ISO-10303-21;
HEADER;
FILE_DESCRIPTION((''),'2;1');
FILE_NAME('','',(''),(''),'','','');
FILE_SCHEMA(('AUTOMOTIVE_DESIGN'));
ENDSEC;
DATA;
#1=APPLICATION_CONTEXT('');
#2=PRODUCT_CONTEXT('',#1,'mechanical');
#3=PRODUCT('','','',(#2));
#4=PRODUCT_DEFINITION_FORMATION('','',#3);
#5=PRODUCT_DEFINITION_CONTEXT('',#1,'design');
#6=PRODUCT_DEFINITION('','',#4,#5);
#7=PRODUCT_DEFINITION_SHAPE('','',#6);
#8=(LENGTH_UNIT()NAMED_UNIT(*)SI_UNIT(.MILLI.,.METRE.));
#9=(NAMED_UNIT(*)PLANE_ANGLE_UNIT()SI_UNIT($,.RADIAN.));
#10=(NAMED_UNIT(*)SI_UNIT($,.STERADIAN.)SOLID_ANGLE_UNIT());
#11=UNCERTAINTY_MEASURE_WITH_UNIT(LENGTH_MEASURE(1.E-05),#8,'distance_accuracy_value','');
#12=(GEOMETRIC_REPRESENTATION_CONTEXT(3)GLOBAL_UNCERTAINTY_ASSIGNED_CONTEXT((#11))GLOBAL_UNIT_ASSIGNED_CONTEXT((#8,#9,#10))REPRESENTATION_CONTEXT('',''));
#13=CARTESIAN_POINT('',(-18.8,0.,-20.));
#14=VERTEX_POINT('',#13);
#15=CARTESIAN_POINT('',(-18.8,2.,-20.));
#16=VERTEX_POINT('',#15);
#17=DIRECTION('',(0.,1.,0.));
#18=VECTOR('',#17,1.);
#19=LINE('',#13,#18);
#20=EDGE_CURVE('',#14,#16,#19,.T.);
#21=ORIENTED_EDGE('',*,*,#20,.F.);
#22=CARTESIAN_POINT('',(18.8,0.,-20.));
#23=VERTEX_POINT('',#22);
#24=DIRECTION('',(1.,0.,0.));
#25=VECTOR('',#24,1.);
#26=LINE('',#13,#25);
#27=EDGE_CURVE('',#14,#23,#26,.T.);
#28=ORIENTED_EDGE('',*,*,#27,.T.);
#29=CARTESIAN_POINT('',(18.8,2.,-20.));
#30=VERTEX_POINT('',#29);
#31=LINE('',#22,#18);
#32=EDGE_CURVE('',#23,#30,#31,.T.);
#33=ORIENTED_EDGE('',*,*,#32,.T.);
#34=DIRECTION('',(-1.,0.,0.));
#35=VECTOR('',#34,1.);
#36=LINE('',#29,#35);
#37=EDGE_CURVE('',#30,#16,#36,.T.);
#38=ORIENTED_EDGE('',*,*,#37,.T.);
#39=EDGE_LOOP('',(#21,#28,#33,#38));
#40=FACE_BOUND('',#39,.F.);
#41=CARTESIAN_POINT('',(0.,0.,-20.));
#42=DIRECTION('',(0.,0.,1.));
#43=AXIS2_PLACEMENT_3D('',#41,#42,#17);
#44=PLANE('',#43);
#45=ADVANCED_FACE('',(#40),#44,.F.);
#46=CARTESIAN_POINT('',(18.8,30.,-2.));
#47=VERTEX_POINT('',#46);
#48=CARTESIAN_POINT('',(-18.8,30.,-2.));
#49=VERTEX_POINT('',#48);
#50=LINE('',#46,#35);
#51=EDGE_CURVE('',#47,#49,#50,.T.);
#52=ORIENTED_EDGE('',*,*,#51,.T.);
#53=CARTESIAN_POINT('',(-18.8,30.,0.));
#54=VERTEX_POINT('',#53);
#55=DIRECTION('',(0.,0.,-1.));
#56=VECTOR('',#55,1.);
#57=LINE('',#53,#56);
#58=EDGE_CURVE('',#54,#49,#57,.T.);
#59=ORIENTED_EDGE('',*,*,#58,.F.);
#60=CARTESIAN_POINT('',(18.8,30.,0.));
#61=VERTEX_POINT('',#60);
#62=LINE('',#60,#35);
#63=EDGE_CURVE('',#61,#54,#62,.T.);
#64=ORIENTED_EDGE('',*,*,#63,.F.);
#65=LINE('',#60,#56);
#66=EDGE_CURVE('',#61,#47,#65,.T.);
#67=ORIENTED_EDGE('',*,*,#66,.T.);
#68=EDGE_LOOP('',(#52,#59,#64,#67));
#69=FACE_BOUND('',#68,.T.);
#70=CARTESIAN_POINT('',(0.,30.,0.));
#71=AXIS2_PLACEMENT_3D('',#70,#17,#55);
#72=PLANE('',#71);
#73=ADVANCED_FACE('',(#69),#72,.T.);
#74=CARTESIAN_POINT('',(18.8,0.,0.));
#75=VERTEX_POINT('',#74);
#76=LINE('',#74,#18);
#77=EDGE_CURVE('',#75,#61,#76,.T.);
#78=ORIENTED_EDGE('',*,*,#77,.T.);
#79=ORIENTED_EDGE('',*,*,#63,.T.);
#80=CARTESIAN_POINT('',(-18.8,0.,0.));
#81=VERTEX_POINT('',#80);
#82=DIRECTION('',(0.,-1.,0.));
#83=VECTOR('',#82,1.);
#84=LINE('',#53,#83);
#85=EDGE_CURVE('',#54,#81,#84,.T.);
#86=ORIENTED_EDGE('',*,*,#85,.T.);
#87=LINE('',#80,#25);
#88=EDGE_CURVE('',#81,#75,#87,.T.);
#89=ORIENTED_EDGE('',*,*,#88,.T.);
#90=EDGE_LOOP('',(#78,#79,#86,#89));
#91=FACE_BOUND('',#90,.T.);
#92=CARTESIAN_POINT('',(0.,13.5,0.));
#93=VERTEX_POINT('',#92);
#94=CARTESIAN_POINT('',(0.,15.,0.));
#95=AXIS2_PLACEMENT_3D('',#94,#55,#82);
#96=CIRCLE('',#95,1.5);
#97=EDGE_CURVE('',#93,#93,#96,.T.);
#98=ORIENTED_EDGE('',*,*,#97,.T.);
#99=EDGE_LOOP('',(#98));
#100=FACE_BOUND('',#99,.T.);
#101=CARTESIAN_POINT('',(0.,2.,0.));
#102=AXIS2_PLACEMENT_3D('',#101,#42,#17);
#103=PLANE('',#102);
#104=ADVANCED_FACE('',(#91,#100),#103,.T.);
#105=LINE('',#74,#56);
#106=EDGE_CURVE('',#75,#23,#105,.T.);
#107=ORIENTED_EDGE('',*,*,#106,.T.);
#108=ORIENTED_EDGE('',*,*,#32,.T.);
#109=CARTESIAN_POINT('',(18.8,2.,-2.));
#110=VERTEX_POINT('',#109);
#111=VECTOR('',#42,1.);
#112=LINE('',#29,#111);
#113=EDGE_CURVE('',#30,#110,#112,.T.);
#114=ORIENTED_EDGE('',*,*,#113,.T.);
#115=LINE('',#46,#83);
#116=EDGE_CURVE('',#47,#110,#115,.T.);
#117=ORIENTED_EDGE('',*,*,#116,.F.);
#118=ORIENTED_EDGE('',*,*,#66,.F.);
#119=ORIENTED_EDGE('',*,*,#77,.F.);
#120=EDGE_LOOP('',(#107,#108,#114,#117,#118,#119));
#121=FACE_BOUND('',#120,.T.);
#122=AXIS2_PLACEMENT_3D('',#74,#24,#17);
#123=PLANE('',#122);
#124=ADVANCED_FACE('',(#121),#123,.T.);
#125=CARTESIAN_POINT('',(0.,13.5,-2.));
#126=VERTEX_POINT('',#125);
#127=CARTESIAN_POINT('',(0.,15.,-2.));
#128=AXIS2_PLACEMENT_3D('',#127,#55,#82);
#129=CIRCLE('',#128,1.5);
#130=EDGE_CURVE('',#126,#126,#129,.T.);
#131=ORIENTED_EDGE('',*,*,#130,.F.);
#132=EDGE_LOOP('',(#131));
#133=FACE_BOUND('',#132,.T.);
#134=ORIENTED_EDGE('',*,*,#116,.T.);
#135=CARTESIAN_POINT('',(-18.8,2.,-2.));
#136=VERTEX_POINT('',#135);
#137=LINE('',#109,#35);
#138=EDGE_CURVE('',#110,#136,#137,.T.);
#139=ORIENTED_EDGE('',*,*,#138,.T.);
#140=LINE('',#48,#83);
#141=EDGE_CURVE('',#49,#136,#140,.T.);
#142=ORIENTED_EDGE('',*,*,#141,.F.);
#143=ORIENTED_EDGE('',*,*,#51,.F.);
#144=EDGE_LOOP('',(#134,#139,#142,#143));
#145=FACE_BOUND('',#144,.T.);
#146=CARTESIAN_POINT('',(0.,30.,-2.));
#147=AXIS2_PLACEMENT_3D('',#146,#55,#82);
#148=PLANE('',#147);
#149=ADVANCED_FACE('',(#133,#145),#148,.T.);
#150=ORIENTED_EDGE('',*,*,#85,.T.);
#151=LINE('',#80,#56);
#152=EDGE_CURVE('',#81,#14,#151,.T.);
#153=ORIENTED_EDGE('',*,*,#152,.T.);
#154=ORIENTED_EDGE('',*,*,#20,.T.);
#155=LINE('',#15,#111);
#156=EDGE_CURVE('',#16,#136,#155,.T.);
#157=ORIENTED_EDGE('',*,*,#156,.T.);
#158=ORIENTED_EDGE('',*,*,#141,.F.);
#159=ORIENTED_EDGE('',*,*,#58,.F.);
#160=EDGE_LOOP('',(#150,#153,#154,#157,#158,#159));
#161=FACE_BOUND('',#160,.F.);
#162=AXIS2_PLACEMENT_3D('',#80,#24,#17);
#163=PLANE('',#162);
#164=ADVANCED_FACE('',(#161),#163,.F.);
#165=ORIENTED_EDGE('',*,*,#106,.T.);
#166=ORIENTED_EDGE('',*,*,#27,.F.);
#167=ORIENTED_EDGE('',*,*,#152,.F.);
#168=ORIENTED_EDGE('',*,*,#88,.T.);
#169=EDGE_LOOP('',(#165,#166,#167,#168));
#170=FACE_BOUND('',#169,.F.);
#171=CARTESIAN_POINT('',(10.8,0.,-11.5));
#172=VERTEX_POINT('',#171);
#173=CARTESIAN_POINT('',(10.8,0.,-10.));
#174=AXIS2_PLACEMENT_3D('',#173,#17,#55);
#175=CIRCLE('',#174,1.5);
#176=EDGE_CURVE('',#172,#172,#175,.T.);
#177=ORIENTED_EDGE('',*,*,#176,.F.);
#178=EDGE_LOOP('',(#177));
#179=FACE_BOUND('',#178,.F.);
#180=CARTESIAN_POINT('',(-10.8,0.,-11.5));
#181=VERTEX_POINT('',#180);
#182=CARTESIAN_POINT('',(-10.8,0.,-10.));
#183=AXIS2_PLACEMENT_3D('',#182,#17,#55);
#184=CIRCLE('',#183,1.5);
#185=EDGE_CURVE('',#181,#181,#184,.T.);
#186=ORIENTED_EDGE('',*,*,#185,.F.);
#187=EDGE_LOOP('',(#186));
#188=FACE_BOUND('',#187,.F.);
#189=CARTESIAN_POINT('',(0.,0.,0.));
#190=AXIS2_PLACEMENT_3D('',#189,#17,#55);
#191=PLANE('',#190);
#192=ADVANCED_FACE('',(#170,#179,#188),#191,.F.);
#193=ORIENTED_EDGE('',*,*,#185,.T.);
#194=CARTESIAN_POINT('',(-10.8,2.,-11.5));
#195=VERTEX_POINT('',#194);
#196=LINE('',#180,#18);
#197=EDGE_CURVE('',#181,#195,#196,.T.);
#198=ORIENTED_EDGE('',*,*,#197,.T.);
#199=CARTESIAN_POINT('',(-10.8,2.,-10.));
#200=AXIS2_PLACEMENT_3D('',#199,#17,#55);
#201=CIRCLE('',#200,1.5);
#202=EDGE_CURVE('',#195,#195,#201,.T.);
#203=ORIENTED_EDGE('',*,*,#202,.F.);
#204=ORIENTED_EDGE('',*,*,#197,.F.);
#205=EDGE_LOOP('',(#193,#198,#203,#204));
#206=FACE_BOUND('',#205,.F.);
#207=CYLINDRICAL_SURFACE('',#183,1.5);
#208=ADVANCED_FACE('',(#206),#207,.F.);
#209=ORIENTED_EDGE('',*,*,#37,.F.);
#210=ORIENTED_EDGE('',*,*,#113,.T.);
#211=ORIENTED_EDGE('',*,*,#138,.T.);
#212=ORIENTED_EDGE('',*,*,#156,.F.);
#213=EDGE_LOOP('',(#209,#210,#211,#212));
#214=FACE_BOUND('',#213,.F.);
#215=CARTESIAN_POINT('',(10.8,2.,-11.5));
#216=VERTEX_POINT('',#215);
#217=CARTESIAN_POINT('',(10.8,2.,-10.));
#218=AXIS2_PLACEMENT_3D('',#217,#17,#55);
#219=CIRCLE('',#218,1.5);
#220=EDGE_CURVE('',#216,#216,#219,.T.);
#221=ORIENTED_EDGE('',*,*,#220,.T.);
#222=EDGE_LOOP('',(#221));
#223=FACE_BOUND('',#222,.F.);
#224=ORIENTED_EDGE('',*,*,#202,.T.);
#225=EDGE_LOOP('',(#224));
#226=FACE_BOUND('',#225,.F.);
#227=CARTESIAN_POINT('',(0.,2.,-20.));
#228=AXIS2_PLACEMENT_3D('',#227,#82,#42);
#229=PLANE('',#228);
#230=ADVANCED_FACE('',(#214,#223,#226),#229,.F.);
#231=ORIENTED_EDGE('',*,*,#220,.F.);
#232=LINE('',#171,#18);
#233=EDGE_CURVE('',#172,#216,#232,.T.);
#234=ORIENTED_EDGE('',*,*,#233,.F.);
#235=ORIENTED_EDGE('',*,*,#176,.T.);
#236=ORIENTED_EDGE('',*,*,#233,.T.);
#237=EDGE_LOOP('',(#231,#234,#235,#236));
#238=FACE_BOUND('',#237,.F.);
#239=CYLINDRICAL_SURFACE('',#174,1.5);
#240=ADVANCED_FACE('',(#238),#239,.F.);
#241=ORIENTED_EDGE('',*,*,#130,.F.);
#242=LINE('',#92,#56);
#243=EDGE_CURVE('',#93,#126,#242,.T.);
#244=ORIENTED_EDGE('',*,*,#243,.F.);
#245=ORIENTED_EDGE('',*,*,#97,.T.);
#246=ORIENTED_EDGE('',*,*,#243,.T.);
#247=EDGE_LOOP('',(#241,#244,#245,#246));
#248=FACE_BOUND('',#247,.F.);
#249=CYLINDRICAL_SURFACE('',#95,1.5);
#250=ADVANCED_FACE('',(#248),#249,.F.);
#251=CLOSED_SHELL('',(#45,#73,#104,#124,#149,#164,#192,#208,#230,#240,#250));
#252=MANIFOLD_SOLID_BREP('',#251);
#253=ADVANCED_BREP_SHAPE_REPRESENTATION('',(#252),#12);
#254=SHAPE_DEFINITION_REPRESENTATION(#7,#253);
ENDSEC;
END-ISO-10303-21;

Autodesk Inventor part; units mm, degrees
ref_plane "YZ Plane" through (0, 0, 0) normal (1, 0, 0) x (0, 1, 0)
ref_plane "XZ Plane" through (0, 0, 0) normal (0, 1, 0) x (-1, 0, 0)
ref_plane "XY Plane" through (0, 0, 0) normal (0, 0, 1) x (1, 0, 0)
sketch "Szkic1" plane through (0, 0, 0) normal (1, 0, 0) x (0, 1, 0)
  line L0 (2, 0) -> (30, 0)
  line L1 (30, 0) -> (30, -2)
  line L2 (30, -2) -> (2, -2)
  line L3 (2, 0) -> (0, 0)
  line L4 (0, 0) -> (0, -20)
  line L5 (0, -20) -> (2, -20)
  line L6 (2, -20) -> (2, -2)
  dimension "d2" = 2
  dimension "d7" = 30
  dimension "d8" = 20
  dimension "d9" = 2
extrude "Wyciągnięcie proste1" add sketch "Szkic1" along normal mid plane 37.6
sketch "Szkic2" plane through (-18.8, 0, 0) normal (0, 0, 1) x (1, 0, 0)
  line L0 (18.8, 0) -> (18.8, 15) construction
  dimension "d12" = 15
hole "Otwór1" at (0, 15, 0) direction (0, 0, -1) diameter 3 end through all
sketch "Szkic3" plane through (-18.8, 0, -20) normal (0, -1, 0) x (1, 0, 0)
  line L0 (0, 0) -> (0, 20) projected
  line L1 (37.6, 20) -> (37.6, 0) projected
  line L2 (0, 10) -> (8, 10) construction
  line L3 (37.6, 10) -> (29.6, 10) construction
  point P0 (18.8, 20)
  dimension "d20" = 8
  dimension "d21" = 8
hole "Otwór2" at (-10.8, 0, -10) at (10.8, 0, -10) direction (0, 1, 0) diameter 3 end through all
properties part number "bepf_podwozie_lacznik_glownego_wspornika" material "Aluminium 6061"
